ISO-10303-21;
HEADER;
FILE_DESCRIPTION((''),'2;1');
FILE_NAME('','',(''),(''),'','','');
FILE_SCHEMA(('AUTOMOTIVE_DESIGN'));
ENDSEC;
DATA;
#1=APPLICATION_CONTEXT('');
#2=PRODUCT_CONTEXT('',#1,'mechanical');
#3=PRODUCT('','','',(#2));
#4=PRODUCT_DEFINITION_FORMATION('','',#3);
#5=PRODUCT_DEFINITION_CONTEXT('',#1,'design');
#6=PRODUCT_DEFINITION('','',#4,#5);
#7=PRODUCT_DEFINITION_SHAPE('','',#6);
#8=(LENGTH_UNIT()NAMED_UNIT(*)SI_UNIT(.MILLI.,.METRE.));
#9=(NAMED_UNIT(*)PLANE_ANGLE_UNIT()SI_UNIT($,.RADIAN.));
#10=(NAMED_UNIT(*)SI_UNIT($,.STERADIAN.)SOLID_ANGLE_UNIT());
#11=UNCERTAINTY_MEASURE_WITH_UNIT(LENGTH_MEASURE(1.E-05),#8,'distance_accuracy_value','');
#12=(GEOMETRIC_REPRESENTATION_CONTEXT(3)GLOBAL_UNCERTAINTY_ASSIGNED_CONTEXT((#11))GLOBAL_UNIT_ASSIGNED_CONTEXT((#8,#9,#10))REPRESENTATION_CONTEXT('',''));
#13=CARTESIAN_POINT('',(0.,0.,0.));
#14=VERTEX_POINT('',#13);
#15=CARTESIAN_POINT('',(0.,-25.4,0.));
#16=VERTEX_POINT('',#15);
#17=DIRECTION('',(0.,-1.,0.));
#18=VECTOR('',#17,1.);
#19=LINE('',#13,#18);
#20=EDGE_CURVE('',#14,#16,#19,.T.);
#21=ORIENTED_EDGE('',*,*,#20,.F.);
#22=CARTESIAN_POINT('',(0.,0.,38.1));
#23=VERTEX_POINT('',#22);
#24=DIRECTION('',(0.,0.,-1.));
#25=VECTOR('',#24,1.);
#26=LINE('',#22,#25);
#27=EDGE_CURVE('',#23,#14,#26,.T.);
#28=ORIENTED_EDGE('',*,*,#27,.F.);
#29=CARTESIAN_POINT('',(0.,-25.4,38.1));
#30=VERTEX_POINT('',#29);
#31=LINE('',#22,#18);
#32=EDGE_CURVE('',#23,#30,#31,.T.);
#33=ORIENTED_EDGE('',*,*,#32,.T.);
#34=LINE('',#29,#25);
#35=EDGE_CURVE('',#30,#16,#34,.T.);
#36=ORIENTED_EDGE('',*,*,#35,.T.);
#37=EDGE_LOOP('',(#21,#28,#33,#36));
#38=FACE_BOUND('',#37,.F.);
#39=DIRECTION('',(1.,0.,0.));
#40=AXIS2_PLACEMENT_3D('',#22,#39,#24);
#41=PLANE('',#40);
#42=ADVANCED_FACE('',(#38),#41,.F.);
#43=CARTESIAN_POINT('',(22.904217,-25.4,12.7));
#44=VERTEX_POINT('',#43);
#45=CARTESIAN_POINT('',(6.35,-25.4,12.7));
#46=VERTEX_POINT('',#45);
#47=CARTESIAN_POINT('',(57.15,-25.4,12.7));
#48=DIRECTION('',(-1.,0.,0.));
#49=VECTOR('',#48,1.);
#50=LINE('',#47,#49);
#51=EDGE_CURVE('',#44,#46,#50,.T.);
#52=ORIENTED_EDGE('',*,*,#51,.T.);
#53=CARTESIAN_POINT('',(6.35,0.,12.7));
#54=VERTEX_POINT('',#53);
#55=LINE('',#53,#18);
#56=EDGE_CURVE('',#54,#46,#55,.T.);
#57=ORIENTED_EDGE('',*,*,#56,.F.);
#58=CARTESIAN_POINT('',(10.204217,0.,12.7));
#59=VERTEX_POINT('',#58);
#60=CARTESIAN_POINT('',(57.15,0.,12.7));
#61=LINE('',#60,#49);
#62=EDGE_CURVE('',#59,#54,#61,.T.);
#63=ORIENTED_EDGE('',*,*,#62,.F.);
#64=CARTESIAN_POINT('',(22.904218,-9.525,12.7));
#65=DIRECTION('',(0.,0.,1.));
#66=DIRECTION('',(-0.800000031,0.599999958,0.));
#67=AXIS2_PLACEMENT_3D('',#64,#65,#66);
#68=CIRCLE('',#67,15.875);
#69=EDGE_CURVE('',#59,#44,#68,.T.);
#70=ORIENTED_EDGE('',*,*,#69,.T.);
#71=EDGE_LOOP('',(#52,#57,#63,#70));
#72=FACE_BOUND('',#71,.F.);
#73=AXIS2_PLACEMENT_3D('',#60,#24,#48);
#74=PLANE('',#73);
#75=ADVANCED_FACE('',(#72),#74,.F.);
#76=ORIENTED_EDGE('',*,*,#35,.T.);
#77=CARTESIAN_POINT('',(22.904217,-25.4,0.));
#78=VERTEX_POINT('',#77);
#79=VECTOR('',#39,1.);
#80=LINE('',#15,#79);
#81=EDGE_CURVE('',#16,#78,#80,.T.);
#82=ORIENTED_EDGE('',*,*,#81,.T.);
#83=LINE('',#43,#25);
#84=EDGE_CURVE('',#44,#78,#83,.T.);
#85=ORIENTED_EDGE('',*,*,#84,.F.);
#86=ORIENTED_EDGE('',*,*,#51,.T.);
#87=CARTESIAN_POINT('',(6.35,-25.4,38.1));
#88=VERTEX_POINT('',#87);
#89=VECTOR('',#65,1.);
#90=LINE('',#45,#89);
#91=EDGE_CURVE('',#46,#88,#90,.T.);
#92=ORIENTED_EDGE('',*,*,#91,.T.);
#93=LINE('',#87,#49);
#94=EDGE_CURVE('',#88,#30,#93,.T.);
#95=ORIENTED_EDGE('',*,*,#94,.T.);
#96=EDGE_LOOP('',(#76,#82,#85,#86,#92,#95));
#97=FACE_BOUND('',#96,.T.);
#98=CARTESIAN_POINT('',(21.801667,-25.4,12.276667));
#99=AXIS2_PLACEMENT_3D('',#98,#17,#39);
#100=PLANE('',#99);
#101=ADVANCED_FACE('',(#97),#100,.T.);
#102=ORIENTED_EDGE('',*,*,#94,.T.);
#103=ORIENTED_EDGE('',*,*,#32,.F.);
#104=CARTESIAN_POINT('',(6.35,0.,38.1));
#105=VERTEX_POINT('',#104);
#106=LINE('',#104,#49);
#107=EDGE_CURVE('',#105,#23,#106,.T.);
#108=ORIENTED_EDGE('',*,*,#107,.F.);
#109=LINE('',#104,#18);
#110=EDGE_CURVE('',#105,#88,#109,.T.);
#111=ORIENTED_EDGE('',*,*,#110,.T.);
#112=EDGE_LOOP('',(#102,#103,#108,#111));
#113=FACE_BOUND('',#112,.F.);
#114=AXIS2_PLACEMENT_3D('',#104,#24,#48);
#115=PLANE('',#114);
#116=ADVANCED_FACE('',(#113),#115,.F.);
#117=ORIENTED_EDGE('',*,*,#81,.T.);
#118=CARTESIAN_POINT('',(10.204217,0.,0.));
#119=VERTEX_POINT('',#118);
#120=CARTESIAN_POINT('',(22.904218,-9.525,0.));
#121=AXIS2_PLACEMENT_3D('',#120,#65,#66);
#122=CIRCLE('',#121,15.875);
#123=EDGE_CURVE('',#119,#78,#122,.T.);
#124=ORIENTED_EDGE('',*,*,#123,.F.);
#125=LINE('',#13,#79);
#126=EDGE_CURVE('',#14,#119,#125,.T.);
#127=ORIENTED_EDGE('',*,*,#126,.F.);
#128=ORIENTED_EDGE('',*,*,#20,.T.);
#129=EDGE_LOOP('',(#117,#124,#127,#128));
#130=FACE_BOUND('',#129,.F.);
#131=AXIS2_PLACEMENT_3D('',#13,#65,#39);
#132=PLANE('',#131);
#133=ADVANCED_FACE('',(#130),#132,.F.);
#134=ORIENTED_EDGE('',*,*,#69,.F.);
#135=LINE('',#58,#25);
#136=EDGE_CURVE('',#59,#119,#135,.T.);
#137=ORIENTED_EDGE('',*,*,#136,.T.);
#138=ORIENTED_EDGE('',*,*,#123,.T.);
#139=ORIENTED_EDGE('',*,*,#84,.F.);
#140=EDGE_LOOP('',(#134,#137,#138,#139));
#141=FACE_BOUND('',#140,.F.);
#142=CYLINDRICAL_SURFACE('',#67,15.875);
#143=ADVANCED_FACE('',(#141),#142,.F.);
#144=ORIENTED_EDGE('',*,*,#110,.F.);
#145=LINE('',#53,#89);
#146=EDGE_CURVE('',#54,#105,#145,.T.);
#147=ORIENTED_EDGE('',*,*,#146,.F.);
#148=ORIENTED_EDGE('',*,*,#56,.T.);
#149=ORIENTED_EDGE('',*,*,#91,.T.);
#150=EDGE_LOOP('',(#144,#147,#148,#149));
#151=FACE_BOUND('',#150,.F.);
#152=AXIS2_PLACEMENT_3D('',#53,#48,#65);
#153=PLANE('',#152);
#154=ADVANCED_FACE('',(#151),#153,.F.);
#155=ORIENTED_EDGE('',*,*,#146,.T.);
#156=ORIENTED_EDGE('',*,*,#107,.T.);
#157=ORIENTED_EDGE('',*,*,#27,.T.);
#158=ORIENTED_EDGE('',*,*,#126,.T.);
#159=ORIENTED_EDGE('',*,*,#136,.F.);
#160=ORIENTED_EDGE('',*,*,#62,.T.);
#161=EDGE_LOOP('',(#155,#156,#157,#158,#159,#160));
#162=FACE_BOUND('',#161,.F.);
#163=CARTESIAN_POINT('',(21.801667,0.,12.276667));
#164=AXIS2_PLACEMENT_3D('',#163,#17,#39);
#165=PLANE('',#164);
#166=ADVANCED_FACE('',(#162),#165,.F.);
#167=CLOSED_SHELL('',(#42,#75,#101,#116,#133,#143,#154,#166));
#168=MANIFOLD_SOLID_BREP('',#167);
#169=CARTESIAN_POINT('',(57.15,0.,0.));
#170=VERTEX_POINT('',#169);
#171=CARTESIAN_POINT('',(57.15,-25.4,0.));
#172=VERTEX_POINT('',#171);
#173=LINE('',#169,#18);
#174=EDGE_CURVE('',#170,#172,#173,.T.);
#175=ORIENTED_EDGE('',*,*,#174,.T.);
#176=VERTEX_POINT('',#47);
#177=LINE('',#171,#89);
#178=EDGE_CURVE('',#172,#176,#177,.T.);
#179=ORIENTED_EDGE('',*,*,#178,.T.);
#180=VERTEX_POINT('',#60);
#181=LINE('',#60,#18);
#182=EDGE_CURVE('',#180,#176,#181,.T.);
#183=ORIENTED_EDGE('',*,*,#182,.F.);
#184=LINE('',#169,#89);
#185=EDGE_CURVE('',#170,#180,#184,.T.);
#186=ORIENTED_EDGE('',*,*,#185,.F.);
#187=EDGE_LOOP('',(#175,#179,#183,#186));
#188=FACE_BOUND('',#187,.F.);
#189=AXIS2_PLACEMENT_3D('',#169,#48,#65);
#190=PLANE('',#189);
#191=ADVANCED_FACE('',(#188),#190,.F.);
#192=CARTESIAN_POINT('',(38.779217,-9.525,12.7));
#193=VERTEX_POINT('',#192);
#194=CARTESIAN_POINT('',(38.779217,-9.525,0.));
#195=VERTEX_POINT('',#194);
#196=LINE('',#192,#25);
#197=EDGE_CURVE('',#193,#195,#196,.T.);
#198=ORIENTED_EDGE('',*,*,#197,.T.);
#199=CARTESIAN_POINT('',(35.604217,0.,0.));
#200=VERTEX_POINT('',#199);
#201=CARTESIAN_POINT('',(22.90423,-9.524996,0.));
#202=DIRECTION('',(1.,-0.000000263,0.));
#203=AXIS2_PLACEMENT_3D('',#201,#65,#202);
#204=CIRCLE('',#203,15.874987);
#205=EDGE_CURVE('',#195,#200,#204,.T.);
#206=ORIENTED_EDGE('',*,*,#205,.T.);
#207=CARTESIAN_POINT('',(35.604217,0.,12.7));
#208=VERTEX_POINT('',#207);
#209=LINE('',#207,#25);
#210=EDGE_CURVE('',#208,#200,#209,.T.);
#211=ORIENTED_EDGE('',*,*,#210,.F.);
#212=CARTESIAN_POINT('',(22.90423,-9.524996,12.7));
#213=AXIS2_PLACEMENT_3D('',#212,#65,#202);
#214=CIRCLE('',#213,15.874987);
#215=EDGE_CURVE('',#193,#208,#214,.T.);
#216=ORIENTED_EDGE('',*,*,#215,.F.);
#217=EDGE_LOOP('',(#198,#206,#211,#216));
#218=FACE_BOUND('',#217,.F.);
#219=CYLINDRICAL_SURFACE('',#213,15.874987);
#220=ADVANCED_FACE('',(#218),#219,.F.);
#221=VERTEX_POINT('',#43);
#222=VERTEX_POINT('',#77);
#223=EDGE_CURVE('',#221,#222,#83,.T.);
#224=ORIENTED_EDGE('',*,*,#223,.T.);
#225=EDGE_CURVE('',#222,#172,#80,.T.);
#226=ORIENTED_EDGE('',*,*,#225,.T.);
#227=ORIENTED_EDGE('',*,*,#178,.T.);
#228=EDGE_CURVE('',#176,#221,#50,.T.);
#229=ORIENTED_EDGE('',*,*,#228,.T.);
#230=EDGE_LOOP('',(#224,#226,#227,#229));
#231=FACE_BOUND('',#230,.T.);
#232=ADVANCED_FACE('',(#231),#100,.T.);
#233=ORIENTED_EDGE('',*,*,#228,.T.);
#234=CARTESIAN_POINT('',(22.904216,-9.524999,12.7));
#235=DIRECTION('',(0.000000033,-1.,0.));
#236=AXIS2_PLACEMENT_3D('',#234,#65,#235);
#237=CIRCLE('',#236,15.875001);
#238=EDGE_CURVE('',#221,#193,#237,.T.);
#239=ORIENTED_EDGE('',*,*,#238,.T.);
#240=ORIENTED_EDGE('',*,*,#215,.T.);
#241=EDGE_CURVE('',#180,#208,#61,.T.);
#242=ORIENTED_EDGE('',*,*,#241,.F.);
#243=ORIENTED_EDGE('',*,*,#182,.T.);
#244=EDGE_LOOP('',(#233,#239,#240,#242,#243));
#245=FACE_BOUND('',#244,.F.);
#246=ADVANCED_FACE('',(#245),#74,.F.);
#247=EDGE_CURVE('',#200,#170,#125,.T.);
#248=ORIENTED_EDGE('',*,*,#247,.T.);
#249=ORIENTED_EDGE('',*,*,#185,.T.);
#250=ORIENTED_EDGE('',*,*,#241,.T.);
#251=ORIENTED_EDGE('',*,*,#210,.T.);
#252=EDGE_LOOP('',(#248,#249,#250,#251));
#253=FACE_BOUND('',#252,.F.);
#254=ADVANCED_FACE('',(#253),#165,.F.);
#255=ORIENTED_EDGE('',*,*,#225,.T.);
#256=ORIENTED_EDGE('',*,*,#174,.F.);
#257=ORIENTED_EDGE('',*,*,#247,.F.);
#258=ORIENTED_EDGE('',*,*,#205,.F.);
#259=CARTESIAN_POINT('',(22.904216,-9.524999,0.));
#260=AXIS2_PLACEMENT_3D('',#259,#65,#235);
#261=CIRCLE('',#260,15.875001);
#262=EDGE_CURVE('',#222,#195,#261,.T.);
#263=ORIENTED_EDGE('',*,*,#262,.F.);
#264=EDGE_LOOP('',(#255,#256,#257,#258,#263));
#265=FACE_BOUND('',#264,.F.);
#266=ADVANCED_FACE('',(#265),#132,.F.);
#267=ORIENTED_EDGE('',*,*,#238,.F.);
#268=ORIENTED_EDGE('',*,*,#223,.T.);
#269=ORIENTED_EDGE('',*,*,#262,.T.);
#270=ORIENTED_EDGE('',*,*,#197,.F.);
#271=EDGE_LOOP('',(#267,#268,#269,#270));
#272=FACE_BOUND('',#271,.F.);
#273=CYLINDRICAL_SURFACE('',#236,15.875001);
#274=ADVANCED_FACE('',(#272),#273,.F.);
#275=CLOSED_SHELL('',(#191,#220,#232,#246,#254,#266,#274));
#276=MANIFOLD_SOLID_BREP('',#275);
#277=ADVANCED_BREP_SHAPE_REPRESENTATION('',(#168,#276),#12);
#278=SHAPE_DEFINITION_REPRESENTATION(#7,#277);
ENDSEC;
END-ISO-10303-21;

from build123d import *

# Parameters (mm, degrees)
F1_DEPTH = 25.4
F3_DEPTH = 25.4


with BuildPart() as f1:
    # F0 (on Front) → F1 (new body)
    with BuildSketch(Plane.XZ):
        Polygon((0, 38.1), (0, 0), (57.15, 0), (57.15, 12.7), (6.35, 12.7), (6.35, 38.1), align=None)
    extrude(amount=F1_DEPTH)

    # F2 (on face) → F3 (cut)
    with BuildSketch(Plane.XY.offset(12.7)):
        with BuildLine():
            ThreePointArc((22.904217, -25.4), (34.129537, -20.75032), (38.779217, -9.525))
            ThreePointArc((38.779217, -9.525), (37.964565, -4.504884), (35.604217, 0))
            Line((35.604217, 0), (10.204217, 0))
            ThreePointArc((10.204217, 0), (8.705186, -16.624516), (22.904217, -25.4))
        make_face()
    extrude(amount=-F3_DEPTH, mode=Mode.SUBTRACT)


solid = f1.part
